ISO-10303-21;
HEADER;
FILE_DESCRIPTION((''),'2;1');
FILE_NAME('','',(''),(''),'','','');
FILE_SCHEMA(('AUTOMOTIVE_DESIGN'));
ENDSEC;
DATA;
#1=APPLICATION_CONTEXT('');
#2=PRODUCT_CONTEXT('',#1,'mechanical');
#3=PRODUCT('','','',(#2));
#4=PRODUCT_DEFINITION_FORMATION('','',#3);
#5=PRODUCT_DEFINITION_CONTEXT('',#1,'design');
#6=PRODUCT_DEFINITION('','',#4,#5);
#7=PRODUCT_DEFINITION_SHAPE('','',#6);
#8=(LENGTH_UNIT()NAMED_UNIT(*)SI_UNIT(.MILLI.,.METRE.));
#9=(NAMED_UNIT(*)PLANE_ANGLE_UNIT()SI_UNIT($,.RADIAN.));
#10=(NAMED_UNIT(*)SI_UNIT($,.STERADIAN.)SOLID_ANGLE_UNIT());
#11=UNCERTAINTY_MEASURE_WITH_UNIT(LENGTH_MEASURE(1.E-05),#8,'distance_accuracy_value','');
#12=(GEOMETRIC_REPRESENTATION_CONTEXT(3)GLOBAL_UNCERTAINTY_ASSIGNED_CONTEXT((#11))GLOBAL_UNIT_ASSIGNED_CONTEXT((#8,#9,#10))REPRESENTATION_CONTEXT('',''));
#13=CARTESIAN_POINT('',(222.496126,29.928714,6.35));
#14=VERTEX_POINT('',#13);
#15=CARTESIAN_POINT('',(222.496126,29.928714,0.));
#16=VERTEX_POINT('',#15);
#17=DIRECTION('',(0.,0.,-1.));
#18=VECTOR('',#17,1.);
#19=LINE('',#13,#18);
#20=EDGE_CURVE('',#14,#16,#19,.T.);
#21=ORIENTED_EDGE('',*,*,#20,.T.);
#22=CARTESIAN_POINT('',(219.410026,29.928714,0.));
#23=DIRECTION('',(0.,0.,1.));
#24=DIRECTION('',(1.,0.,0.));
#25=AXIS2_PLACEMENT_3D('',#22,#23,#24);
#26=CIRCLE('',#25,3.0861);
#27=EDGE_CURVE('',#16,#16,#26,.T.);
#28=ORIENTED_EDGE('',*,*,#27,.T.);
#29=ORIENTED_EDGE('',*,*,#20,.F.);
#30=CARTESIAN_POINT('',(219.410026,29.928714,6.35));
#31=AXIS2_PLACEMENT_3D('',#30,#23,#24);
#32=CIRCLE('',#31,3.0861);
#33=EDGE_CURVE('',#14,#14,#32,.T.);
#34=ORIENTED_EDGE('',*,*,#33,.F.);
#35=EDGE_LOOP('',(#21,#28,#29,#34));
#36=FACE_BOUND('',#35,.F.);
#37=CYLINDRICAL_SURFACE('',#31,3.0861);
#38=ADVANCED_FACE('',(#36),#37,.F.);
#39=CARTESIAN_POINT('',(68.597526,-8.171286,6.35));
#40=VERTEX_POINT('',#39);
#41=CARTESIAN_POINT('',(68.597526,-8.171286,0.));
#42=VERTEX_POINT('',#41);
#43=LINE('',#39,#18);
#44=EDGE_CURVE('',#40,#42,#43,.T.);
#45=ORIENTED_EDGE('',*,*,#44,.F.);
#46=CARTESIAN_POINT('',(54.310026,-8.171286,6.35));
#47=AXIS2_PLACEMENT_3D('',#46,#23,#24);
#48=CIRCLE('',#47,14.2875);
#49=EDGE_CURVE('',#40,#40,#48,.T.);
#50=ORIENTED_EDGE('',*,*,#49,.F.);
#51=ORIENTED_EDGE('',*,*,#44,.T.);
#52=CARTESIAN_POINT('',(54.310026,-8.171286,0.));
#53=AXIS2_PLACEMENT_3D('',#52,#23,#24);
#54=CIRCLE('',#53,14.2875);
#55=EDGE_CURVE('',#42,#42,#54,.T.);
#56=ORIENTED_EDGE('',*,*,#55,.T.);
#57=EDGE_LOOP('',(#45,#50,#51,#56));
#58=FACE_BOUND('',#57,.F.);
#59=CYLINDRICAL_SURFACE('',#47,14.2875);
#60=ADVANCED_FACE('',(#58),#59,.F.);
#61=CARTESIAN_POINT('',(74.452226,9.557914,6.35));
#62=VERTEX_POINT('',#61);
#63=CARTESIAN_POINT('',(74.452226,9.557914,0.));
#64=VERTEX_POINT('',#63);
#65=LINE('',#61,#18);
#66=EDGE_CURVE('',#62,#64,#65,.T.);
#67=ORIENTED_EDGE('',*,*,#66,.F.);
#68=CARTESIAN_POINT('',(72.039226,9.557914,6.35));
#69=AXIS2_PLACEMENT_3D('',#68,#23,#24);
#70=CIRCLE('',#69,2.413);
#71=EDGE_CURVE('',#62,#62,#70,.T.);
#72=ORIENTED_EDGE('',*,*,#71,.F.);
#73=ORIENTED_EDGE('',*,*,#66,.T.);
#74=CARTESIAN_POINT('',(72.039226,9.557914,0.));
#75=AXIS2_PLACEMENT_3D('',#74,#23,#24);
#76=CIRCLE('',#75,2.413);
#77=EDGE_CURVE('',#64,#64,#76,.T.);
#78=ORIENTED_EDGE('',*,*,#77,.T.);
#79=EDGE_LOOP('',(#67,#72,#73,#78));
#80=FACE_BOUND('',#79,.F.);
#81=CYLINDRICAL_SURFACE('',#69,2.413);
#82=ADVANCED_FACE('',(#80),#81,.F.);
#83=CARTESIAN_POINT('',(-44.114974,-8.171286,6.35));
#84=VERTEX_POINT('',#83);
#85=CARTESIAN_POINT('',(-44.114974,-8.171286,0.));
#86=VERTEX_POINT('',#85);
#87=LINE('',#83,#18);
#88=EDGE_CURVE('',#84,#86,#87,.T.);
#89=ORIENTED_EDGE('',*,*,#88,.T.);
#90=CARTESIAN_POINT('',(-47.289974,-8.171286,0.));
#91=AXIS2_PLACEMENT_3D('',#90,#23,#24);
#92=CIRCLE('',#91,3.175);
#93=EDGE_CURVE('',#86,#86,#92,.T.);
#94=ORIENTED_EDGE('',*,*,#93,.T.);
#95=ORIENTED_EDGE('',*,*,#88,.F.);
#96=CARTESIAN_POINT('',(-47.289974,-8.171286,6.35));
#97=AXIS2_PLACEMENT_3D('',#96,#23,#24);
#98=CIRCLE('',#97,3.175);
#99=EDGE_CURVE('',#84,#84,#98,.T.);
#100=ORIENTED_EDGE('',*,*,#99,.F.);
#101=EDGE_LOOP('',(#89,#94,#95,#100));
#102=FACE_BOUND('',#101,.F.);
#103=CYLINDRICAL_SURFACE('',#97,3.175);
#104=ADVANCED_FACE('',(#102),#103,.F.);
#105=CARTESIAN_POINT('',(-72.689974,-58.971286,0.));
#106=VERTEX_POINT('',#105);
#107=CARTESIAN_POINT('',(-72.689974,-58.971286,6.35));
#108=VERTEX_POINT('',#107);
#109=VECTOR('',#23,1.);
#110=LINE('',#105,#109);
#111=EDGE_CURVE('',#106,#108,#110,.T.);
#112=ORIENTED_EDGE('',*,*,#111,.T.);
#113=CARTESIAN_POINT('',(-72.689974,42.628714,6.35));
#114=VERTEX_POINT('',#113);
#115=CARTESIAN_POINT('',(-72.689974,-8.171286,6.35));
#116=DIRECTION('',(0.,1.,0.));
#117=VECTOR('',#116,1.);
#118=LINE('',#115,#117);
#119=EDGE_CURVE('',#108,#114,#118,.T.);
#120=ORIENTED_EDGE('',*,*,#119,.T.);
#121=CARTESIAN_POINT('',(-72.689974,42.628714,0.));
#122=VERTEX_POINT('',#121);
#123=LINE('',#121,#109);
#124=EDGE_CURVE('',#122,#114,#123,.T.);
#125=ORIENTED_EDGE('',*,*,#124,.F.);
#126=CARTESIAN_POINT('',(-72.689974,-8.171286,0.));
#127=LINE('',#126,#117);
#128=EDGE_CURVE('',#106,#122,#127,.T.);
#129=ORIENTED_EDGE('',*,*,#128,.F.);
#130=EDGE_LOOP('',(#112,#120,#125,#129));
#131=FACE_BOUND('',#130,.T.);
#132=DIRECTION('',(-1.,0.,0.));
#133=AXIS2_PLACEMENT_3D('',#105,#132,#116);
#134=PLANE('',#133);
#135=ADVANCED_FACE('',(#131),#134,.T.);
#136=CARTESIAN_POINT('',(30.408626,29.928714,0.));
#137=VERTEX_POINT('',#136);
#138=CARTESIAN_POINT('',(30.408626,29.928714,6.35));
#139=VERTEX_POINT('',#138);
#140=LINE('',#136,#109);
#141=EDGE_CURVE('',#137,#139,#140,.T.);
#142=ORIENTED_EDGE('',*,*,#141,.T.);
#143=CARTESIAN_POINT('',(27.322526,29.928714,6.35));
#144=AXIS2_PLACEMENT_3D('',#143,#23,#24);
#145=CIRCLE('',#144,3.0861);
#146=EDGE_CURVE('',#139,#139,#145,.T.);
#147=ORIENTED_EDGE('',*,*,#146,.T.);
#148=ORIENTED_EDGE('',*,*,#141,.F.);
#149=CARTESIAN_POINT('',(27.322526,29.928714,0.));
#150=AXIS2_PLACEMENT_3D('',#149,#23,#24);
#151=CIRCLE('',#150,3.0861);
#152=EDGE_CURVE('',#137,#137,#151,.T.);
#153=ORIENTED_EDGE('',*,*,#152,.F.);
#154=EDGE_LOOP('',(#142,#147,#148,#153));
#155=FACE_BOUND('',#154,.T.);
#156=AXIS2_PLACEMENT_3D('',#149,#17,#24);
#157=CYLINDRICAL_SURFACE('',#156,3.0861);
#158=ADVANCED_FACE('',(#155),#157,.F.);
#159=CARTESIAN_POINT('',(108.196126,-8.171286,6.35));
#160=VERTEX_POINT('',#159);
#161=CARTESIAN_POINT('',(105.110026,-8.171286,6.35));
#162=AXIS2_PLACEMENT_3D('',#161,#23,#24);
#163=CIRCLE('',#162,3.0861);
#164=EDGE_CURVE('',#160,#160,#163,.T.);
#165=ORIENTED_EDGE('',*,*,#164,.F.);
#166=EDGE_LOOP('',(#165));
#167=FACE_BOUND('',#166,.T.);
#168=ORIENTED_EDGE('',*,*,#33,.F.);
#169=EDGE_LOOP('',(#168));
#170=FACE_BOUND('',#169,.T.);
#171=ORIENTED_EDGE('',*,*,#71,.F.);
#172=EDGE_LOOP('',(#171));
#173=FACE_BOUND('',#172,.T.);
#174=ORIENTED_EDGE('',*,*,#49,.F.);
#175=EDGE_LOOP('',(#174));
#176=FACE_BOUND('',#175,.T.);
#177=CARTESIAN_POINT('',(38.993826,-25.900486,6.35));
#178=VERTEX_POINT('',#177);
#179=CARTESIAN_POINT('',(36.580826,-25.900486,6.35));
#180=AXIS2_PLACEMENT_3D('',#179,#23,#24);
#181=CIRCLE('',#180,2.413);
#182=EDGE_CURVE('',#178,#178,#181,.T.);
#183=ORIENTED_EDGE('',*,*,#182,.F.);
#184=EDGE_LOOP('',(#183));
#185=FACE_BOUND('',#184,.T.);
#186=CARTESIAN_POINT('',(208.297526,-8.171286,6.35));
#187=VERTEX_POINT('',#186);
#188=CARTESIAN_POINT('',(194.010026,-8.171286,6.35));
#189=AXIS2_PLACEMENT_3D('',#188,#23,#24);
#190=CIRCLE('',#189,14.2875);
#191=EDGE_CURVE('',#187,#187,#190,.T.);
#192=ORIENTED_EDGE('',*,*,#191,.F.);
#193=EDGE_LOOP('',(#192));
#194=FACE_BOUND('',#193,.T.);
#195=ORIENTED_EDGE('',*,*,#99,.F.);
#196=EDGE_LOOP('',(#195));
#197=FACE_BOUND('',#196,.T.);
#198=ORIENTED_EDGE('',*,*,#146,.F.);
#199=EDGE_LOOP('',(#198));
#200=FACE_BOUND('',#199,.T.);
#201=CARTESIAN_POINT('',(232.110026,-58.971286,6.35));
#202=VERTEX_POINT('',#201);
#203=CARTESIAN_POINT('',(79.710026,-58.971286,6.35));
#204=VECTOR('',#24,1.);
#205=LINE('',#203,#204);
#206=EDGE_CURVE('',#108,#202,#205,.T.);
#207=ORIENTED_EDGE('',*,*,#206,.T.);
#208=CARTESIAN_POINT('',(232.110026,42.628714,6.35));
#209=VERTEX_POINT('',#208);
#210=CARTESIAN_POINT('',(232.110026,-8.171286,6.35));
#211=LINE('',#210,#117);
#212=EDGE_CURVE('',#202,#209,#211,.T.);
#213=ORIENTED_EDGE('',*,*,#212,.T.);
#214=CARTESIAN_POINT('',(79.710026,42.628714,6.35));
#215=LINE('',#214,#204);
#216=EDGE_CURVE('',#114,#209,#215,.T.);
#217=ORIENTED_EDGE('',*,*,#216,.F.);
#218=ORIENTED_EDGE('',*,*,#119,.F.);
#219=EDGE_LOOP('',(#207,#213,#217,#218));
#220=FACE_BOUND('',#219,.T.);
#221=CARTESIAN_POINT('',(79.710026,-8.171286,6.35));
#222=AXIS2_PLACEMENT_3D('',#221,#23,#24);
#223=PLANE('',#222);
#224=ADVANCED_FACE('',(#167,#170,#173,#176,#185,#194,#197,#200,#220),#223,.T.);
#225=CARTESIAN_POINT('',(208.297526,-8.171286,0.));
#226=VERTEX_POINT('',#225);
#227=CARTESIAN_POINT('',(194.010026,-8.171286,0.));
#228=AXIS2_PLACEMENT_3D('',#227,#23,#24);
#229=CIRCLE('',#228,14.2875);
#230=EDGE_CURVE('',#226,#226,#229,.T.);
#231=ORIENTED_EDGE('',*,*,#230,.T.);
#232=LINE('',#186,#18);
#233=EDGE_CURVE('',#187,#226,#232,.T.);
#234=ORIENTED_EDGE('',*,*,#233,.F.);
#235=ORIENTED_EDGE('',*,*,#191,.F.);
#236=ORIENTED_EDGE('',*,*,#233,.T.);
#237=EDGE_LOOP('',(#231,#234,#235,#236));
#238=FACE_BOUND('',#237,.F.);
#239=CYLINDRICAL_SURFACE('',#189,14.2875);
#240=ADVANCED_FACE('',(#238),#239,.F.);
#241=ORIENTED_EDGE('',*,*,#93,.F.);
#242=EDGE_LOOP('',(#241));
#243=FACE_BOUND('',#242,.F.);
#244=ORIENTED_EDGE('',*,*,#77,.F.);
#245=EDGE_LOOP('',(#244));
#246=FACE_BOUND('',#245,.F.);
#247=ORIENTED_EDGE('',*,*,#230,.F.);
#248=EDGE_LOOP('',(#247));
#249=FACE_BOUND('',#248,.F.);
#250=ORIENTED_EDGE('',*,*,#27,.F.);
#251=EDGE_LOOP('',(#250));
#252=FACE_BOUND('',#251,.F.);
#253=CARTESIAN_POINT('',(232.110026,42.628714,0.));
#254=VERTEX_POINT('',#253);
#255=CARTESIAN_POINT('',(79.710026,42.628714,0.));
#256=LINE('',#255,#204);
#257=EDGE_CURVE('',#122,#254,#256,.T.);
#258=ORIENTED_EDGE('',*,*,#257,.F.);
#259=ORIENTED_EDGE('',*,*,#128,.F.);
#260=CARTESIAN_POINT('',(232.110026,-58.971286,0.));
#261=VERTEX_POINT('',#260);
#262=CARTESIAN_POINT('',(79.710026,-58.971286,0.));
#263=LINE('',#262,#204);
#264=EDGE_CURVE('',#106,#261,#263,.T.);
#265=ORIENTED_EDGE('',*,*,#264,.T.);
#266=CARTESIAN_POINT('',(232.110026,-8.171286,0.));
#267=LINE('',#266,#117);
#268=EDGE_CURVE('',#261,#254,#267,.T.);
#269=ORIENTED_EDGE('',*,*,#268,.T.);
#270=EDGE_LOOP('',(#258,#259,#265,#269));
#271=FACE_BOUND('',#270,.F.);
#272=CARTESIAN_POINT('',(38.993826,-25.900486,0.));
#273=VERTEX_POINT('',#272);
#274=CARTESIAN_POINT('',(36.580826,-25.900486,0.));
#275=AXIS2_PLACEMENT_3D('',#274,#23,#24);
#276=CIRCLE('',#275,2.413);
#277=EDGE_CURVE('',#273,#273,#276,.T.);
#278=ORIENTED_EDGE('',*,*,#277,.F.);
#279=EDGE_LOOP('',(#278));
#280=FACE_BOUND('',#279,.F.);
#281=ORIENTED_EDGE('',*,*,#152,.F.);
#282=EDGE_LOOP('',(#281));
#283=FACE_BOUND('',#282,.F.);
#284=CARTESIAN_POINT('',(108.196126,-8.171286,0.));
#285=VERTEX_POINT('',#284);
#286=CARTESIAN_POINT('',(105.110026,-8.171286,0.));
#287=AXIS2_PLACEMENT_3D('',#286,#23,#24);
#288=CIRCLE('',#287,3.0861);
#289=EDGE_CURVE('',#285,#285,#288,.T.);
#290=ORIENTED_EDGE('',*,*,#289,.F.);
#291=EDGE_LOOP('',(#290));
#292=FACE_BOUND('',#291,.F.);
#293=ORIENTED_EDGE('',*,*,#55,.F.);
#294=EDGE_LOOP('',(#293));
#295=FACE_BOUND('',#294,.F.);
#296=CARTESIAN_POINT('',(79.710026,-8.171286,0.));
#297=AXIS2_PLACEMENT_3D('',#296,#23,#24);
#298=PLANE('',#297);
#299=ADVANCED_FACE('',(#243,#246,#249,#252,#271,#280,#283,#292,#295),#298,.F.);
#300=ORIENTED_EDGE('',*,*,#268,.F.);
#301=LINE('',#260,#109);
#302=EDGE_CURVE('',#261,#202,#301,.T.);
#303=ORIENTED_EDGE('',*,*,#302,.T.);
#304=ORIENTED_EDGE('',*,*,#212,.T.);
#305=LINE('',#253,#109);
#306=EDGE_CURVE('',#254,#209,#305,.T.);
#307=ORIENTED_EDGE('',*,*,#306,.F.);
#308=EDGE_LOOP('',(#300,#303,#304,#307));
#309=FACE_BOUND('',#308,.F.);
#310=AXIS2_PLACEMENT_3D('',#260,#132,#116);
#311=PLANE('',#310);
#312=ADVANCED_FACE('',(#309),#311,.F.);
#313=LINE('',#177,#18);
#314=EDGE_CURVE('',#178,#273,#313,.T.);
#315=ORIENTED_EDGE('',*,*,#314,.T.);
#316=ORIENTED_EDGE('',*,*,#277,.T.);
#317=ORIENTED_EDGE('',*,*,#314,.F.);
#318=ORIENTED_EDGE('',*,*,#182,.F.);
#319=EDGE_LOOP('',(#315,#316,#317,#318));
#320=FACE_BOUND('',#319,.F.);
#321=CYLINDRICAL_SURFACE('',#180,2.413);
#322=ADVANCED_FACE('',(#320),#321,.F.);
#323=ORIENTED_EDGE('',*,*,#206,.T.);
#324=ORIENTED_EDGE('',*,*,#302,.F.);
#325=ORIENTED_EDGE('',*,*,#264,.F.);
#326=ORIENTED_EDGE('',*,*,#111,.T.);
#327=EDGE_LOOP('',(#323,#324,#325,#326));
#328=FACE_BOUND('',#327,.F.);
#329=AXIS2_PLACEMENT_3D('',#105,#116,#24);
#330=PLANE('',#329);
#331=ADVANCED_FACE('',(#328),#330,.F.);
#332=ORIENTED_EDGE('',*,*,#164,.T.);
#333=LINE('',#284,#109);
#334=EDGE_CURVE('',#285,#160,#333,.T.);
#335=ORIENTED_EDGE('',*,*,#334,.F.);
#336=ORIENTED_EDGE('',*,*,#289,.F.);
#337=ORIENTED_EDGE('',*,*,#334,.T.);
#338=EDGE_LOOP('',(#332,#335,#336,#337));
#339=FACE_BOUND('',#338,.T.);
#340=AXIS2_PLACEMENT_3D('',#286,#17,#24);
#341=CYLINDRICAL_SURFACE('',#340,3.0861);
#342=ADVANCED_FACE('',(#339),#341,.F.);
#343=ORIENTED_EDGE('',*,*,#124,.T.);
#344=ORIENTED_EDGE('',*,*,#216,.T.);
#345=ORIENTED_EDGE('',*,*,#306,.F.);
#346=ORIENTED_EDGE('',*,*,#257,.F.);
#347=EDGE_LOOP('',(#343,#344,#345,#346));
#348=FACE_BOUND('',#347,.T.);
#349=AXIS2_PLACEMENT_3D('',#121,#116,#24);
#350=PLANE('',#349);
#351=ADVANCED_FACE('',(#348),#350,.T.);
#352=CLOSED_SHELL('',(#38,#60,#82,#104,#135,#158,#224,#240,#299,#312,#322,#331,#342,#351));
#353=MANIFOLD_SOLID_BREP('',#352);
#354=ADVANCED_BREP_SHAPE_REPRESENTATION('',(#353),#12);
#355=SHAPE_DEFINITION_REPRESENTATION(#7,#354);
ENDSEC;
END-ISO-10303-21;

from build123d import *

# Parameters (mm, degrees)
F0_W      = 304.8
F0_H      = 101.6
F1_DEPTH  = 6.35
F2_R      = 3.175
F3_DEPTH  = 6.35
F4_R      = 14.2875
F5_DEPTH  = 6.35
F6_R      = 14.2875
F7_DEPTH  = 6.35
F9_R      = 2.413
F10_DEPTH = 6.35
F11_R     = 3.0861
F12_DEPTH = 6.35
F13_R     = 3.0861
F14_DEPTH = 6.35
F15_R     = 3.0861
F16_DEPTH = 6.35


with BuildPart() as f1:
    # F0 (on Top) → F1 (new body)
    with BuildSketch(Plane.XY):
        with Locations((79.710026, -8.171286)):
            Rectangle(F0_W, F0_H)
    extrude(amount=F1_DEPTH)

    # F2 (on face) → F3 (cut)
    with BuildSketch(Plane.XY.offset(6.35)):
        with Locations((-47.289974, -8.171286)):
            Circle(F2_R)
    extrude(amount=-F3_DEPTH, mode=Mode.SUBTRACT)

    # F4 (on face) → F5 (cut)
    with BuildSketch(Plane.XY.offset(6.35)):
        with Locations((194.010026, -8.171286)):
            Circle(F4_R)
    extrude(amount=-F5_DEPTH, mode=Mode.SUBTRACT)

    # F6 (on face) → F7 (cut)
    with BuildSketch(Plane.XY.offset(6.35)):
        with Locations((54.310026, -8.171286)):
            Circle(F6_R)
    extrude(amount=-F7_DEPTH, mode=Mode.SUBTRACT)

    # F9 (on face) → F10 (cut)
    with BuildSketch(Plane.XY.offset(6.35)):
        with Locations((36.580826, -25.900486)):
            Circle(F9_R)
        with Locations((72.039226, 9.557914)):
            Circle(F9_R)
    extrude(amount=-F10_DEPTH, mode=Mode.SUBTRACT)

    # F11 (on face) → F12 (cut)
    with BuildSketch(Plane.XY):
        with Locations((105.110026, -8.171286)):
            Circle(F11_R)
    extrude(amount=F12_DEPTH, mode=Mode.SUBTRACT)

    # F13 (on face) → F14 (cut)
    with BuildSketch(Plane.XY):
        with Locations((27.322526, 29.928714)):
            Circle(F13_R)
    extrude(amount=F14_DEPTH, mode=Mode.SUBTRACT)

    # F15 (on face) → F16 (cut)
    with BuildSketch(Plane.XY.offset(6.35)):
        with Locations((219.410026, 29.928714)):
            Circle(F15_R)
    extrude(amount=-F16_DEPTH, mode=Mode.SUBTRACT)


solid = f1.part
